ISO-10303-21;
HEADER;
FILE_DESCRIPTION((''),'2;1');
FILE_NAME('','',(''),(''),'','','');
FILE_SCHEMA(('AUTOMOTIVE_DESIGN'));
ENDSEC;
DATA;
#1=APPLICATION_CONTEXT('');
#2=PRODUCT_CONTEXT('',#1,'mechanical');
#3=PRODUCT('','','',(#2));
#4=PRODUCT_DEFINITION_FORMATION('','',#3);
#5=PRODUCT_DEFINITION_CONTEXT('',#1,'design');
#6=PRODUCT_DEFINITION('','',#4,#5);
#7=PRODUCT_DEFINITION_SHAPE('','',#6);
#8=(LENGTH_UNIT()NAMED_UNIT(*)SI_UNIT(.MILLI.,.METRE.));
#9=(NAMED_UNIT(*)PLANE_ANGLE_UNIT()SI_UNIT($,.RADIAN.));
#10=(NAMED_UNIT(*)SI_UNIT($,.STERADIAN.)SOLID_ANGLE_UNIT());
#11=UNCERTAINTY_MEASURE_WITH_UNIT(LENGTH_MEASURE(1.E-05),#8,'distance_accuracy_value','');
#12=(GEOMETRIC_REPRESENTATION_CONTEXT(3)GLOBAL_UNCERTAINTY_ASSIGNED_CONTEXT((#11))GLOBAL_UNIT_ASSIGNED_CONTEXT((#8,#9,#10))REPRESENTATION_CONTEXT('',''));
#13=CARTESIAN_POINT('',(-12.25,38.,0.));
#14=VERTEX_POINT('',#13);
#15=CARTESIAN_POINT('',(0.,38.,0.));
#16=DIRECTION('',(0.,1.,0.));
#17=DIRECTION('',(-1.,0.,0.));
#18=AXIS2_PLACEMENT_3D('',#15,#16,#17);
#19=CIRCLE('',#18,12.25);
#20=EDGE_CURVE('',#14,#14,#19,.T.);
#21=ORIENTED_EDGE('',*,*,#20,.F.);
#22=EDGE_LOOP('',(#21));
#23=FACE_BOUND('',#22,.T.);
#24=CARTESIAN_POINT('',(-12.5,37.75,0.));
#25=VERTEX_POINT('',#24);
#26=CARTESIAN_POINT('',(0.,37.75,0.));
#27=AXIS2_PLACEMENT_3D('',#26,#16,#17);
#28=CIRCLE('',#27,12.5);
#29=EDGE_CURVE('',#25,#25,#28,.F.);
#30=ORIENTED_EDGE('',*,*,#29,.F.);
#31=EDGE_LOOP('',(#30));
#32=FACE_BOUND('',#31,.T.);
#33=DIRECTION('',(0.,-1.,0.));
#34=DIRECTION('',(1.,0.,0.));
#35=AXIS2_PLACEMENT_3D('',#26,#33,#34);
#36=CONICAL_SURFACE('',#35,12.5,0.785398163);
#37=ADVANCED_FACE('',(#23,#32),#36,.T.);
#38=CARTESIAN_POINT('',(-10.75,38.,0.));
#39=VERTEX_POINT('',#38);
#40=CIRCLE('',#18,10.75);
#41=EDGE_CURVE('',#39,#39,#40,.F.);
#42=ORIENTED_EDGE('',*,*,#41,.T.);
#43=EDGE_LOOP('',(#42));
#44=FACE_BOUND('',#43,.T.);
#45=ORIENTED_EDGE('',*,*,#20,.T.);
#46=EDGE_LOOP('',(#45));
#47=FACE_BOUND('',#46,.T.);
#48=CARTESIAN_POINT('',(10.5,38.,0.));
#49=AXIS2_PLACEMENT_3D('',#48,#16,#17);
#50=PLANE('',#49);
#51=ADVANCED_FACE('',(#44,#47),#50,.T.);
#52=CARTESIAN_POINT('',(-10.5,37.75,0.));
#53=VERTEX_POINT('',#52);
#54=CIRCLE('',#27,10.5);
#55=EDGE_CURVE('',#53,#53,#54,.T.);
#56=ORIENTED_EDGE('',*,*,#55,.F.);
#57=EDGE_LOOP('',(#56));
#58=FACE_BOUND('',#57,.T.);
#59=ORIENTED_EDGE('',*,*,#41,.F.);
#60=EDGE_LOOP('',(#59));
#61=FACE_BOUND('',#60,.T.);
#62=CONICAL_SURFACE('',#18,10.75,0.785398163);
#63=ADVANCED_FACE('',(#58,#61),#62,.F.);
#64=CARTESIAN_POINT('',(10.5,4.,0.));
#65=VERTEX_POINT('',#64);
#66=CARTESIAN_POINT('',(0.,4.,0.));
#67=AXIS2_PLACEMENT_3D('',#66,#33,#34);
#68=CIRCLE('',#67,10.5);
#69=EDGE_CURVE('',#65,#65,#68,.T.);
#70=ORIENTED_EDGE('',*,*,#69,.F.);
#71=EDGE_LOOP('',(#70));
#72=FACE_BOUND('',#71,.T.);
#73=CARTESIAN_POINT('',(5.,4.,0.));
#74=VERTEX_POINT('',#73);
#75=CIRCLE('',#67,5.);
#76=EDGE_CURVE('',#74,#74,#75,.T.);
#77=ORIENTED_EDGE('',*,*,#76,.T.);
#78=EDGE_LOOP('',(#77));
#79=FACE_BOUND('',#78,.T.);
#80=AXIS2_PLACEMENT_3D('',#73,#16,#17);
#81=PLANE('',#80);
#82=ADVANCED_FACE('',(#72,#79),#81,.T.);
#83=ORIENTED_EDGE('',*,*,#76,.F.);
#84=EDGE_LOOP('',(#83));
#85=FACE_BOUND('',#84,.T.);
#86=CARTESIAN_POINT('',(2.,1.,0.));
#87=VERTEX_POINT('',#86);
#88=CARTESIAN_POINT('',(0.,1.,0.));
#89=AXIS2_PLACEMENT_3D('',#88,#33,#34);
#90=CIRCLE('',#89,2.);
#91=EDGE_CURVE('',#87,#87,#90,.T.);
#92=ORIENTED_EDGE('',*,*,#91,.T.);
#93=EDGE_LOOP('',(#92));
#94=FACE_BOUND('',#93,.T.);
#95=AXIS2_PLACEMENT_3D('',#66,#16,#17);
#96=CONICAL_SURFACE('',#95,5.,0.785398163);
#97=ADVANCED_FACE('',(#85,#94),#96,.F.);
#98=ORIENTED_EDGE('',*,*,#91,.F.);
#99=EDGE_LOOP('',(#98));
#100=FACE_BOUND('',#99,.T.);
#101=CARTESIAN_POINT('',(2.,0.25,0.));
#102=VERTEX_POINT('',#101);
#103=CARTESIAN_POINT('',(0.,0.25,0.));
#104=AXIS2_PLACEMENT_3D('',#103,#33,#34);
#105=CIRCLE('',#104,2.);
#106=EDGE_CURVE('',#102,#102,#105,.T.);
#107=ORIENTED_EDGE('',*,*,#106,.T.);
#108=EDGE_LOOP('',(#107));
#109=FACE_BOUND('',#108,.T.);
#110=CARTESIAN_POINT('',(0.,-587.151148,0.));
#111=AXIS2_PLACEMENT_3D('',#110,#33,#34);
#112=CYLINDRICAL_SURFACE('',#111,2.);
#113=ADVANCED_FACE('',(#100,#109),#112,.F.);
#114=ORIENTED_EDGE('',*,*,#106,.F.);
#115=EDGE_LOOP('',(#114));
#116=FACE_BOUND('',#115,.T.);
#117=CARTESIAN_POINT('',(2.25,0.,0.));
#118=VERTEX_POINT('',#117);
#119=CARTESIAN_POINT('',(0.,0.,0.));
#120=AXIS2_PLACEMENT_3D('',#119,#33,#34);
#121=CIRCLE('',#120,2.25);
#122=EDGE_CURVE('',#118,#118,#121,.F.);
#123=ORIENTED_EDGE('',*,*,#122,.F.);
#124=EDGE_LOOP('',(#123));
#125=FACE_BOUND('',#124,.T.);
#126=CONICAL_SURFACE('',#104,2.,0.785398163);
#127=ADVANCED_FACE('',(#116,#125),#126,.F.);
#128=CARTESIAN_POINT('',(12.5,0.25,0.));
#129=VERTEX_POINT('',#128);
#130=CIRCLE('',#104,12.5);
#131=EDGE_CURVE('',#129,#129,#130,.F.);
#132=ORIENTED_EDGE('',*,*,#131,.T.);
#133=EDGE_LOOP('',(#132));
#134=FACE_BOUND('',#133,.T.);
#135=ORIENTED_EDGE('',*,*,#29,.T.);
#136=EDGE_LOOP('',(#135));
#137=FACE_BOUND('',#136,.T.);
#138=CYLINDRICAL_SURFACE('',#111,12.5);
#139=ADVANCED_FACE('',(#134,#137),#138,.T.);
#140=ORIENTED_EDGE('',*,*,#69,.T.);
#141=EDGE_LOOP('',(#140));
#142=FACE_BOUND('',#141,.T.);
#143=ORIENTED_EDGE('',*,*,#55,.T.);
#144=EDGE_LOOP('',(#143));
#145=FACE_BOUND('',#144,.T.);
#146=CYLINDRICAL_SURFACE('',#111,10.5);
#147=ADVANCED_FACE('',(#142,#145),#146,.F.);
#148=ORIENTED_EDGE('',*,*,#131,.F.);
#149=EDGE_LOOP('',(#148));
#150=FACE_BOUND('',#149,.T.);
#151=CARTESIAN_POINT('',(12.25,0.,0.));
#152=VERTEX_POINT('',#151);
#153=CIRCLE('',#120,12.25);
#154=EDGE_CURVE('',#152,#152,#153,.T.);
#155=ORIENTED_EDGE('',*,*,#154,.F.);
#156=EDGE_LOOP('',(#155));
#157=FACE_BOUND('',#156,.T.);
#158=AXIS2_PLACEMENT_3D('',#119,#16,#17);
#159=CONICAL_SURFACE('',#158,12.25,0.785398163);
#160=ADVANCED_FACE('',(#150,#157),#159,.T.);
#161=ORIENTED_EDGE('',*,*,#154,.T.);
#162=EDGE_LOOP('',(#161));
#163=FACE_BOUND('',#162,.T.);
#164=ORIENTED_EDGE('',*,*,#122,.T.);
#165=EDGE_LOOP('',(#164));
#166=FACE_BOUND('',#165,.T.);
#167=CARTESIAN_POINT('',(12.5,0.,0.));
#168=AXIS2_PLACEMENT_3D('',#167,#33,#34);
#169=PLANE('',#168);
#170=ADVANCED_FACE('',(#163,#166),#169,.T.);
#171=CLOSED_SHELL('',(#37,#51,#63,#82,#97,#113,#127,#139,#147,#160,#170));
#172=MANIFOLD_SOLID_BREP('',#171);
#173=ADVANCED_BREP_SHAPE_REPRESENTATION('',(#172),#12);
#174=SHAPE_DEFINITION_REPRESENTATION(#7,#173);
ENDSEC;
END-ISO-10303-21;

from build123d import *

# Parameters (mm, degrees)
CHAMFER1_SIZE = 0.25


with BuildPart() as part:
    # Sketch1 → Revolve1 (revolve)
    with BuildSketch(Plane.XY):
        Polygon((2, 0), (2, 1), (5, 4), (10.5, 4), (10.5, 38), (12.5, 38), (12.5, 0), align=None)
    revolve(axis=Axis((0, -587.15114798, 0), (0, 1, 0)))

    # Chamfer1
    chamfer1_edges = [part.edges().sort_by_distance(p)[0] for p in [
        (-12.5, 0, 0),
        (-12.5, 38, 0),
        (-10.5, 38, 0),
        (-2, 0, 0),
    ]]
    chamfer(chamfer1_edges, length=CHAMFER1_SIZE)


solid = part.part
